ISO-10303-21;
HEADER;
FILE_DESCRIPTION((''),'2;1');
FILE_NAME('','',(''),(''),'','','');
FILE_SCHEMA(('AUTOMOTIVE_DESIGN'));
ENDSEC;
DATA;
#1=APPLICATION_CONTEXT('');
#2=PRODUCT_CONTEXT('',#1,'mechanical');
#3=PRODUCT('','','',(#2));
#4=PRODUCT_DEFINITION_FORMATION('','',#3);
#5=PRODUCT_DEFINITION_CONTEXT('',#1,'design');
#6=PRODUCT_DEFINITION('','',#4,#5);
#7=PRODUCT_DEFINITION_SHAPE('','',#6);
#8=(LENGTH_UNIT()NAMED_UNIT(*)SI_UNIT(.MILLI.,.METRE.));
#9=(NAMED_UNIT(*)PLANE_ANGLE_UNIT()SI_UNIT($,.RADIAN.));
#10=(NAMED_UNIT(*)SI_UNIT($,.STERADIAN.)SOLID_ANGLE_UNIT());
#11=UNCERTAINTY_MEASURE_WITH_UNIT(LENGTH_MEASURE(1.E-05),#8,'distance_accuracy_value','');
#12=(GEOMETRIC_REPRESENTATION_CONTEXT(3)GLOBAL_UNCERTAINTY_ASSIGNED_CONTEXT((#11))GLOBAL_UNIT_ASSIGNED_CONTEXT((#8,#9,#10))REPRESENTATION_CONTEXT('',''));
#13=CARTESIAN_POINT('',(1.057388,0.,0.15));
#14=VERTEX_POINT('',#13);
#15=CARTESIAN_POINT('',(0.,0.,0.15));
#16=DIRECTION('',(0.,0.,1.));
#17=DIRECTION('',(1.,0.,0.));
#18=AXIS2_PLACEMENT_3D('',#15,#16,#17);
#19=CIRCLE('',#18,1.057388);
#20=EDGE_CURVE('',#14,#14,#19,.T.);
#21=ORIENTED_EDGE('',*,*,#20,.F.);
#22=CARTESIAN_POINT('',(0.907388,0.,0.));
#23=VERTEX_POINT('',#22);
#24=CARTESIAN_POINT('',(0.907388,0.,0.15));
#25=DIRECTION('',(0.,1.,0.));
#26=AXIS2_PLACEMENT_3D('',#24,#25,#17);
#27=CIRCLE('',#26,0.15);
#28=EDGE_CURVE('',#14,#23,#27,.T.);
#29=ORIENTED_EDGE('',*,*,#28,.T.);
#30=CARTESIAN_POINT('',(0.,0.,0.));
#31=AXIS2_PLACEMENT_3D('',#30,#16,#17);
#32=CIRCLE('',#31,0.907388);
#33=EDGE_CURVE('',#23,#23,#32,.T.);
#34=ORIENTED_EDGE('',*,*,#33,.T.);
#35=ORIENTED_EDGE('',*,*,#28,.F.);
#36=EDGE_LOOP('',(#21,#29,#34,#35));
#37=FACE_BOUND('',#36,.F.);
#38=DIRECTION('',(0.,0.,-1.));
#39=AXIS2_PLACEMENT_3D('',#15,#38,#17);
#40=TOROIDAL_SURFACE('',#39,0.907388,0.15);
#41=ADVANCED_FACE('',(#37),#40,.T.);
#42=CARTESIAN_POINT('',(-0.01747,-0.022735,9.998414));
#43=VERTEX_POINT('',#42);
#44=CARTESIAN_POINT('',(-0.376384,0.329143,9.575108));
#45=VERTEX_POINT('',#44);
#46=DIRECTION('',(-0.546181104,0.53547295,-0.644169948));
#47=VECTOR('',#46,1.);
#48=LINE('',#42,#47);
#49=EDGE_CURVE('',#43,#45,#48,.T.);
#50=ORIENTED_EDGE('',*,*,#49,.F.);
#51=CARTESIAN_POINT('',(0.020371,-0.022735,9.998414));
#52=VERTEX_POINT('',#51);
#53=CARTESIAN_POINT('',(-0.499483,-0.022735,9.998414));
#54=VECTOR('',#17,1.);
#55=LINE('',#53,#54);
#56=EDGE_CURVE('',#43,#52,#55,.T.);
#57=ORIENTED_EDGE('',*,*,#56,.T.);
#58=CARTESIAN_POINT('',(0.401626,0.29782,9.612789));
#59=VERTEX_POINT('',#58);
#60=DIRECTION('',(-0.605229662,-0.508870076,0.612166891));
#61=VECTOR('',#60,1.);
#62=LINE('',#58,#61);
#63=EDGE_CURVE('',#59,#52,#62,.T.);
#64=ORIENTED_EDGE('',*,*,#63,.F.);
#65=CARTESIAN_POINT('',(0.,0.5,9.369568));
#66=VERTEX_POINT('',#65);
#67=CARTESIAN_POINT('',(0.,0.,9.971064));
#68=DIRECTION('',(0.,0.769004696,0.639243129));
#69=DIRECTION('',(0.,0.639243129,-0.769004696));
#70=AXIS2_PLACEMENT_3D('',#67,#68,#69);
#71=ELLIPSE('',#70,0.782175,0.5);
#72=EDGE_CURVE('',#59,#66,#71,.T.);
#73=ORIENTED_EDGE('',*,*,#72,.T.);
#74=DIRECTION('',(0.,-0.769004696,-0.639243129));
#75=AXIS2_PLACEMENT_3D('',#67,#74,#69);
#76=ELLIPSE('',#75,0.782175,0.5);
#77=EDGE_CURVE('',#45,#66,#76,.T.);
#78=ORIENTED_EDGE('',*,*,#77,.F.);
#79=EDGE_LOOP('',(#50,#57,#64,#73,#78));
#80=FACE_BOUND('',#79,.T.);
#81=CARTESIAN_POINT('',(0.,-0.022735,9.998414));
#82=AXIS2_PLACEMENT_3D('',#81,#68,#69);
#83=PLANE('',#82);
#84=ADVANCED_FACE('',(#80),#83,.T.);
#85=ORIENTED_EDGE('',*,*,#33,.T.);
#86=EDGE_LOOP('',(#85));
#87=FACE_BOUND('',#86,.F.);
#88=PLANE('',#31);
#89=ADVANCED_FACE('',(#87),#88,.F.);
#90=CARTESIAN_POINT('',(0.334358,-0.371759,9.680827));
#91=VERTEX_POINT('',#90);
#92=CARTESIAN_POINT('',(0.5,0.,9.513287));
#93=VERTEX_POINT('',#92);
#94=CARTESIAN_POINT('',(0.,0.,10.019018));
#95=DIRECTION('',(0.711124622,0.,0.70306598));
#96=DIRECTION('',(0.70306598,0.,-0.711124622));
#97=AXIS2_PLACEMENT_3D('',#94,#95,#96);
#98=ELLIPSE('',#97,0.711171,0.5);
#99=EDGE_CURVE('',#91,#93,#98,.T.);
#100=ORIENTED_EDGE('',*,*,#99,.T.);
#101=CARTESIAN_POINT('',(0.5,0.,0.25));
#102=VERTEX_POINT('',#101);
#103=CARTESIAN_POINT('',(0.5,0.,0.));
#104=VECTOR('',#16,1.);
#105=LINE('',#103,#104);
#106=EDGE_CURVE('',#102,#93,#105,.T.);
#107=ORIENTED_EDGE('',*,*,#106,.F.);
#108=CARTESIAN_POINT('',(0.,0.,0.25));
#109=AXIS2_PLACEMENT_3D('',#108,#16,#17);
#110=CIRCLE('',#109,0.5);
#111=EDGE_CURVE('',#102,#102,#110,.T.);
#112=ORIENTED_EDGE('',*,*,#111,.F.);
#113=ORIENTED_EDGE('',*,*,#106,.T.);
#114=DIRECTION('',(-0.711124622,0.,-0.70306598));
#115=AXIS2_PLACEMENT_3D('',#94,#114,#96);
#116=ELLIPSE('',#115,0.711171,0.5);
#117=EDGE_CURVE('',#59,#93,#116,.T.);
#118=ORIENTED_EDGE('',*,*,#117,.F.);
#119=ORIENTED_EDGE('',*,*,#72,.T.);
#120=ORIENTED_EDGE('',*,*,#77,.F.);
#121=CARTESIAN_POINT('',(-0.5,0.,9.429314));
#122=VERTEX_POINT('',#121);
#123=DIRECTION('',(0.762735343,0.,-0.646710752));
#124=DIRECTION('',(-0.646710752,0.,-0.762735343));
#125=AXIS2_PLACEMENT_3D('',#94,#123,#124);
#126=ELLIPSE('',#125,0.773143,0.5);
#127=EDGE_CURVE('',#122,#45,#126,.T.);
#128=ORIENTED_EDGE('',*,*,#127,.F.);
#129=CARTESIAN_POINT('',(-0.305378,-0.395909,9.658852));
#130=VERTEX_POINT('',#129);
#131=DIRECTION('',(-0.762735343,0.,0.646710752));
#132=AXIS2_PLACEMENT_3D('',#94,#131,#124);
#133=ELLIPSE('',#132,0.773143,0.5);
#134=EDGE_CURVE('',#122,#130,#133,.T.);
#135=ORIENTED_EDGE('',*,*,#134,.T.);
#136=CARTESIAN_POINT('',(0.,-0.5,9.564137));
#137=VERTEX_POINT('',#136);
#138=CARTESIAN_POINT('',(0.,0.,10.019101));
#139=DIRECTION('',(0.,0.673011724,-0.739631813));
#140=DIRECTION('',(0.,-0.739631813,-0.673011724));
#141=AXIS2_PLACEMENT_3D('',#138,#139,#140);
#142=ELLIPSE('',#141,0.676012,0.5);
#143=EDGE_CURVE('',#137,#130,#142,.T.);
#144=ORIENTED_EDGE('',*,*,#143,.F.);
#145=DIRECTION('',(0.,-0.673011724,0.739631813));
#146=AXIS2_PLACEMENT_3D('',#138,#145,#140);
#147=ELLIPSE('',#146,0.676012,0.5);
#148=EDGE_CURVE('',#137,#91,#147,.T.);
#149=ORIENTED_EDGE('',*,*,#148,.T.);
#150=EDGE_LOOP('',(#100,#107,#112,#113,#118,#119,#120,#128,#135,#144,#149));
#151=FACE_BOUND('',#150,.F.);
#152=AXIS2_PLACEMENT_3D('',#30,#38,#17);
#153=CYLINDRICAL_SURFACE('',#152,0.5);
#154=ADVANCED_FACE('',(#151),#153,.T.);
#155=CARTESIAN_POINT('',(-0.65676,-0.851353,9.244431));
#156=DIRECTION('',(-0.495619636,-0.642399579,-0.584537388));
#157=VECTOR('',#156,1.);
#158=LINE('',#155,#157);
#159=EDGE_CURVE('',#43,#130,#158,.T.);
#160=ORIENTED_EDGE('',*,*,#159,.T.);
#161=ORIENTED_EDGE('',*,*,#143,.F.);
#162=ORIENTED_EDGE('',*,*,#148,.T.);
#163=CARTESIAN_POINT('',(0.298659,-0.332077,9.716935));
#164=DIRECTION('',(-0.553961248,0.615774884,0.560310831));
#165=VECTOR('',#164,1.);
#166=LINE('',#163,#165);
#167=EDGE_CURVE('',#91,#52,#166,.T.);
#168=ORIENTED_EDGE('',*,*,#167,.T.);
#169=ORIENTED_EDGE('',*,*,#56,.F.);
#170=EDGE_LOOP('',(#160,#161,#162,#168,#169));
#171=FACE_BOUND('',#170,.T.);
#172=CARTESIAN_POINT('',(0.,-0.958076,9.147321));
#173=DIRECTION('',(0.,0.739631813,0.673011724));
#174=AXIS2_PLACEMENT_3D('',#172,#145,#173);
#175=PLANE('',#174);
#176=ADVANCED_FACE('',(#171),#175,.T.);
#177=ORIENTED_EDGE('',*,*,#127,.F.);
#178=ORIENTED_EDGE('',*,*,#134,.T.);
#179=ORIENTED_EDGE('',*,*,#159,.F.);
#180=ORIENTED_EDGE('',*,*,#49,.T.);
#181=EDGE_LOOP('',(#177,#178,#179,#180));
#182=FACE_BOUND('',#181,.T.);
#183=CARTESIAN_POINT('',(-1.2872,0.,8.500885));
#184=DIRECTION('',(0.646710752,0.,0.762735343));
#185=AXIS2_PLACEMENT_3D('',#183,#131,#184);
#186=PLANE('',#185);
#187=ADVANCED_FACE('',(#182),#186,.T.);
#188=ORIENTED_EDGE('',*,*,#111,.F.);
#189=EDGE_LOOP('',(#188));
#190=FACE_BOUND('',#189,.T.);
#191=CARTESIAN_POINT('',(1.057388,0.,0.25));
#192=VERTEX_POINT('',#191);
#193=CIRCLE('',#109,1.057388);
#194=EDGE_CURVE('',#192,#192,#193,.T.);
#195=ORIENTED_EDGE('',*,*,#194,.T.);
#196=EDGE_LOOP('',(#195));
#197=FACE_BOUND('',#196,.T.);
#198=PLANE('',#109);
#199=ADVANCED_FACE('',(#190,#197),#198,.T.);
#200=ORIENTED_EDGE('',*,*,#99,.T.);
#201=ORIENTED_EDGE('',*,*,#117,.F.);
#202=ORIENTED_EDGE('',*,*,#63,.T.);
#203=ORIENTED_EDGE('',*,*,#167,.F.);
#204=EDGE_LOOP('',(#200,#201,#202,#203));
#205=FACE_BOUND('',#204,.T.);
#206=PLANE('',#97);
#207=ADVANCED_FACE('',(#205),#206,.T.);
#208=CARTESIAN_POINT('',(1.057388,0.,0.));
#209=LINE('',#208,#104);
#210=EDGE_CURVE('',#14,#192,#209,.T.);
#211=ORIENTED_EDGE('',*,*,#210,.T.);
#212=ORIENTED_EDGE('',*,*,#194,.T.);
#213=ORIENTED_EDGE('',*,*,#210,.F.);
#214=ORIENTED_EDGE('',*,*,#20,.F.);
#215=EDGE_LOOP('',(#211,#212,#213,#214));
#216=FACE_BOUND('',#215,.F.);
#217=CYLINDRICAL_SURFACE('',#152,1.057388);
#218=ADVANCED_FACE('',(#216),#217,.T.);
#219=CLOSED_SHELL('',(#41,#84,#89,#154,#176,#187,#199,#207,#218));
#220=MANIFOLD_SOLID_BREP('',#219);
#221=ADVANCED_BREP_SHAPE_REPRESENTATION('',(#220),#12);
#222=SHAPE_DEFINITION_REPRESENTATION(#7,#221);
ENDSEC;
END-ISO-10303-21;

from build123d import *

# Parameters (mm, degrees)
F0_R          = 0.5
F1_DEPTH      = 10
F0_R_2        = 1.057388
F2_DEPTH      = 0.25
F3_R          = 0.15
F5_DEPTH      = 25
F5_DEPTH_BACK = 25
F7_DEPTH      = 25
F7_DEPTH_BACK = 25


with BuildPart() as f1:
    # F0 (on Top) → F1 (new body)
    with BuildSketch(Plane.XY):
        Circle(F0_R)
    extrude(amount=F1_DEPTH)

    # F0 (on Top) → F2 (join)
    with BuildSketch(Plane.XY):
        Circle(F0_R_2)
        Circle(F0_R, mode=Mode.SUBTRACT)
    extrude(amount=F2_DEPTH)

    # F3
    f3_edges = [f1.edges().sort_by_distance(p)[0] for p in [
        (-1.057388, 0, 0),
    ]]
    fillet(f3_edges, radius=F3_R)

    # F4 (on Right) → F5 (cut, two sides)
    with BuildSketch(Plane.YZ) as f5_sk:
        Polygon((-0.958076, 9.147321), (-0.022735, 9.998414), (0.690646, 9.140222), (0.690646, 10.352595), (-0.869291, 10.392135), align=None)
    extrude(amount=F5_DEPTH, mode=Mode.SUBTRACT)
    extrude(f5_sk.sketch, amount=-F5_DEPTH_BACK, mode=Mode.SUBTRACT)

    # F6 (on Front) → F7 (cut, two sides)
    with BuildSketch(Plane.XZ) as f7_sk:
        Polygon((-1.2872, 8.500885), (0, 10.019018), (1.330554, 8.673213), (1.125401, 10.741157), (-1.2872, 10.741157), align=None)
    extrude(amount=F7_DEPTH, mode=Mode.SUBTRACT)
    extrude(f7_sk.sketch, amount=-F7_DEPTH_BACK, mode=Mode.SUBTRACT)


solid = f1.part
